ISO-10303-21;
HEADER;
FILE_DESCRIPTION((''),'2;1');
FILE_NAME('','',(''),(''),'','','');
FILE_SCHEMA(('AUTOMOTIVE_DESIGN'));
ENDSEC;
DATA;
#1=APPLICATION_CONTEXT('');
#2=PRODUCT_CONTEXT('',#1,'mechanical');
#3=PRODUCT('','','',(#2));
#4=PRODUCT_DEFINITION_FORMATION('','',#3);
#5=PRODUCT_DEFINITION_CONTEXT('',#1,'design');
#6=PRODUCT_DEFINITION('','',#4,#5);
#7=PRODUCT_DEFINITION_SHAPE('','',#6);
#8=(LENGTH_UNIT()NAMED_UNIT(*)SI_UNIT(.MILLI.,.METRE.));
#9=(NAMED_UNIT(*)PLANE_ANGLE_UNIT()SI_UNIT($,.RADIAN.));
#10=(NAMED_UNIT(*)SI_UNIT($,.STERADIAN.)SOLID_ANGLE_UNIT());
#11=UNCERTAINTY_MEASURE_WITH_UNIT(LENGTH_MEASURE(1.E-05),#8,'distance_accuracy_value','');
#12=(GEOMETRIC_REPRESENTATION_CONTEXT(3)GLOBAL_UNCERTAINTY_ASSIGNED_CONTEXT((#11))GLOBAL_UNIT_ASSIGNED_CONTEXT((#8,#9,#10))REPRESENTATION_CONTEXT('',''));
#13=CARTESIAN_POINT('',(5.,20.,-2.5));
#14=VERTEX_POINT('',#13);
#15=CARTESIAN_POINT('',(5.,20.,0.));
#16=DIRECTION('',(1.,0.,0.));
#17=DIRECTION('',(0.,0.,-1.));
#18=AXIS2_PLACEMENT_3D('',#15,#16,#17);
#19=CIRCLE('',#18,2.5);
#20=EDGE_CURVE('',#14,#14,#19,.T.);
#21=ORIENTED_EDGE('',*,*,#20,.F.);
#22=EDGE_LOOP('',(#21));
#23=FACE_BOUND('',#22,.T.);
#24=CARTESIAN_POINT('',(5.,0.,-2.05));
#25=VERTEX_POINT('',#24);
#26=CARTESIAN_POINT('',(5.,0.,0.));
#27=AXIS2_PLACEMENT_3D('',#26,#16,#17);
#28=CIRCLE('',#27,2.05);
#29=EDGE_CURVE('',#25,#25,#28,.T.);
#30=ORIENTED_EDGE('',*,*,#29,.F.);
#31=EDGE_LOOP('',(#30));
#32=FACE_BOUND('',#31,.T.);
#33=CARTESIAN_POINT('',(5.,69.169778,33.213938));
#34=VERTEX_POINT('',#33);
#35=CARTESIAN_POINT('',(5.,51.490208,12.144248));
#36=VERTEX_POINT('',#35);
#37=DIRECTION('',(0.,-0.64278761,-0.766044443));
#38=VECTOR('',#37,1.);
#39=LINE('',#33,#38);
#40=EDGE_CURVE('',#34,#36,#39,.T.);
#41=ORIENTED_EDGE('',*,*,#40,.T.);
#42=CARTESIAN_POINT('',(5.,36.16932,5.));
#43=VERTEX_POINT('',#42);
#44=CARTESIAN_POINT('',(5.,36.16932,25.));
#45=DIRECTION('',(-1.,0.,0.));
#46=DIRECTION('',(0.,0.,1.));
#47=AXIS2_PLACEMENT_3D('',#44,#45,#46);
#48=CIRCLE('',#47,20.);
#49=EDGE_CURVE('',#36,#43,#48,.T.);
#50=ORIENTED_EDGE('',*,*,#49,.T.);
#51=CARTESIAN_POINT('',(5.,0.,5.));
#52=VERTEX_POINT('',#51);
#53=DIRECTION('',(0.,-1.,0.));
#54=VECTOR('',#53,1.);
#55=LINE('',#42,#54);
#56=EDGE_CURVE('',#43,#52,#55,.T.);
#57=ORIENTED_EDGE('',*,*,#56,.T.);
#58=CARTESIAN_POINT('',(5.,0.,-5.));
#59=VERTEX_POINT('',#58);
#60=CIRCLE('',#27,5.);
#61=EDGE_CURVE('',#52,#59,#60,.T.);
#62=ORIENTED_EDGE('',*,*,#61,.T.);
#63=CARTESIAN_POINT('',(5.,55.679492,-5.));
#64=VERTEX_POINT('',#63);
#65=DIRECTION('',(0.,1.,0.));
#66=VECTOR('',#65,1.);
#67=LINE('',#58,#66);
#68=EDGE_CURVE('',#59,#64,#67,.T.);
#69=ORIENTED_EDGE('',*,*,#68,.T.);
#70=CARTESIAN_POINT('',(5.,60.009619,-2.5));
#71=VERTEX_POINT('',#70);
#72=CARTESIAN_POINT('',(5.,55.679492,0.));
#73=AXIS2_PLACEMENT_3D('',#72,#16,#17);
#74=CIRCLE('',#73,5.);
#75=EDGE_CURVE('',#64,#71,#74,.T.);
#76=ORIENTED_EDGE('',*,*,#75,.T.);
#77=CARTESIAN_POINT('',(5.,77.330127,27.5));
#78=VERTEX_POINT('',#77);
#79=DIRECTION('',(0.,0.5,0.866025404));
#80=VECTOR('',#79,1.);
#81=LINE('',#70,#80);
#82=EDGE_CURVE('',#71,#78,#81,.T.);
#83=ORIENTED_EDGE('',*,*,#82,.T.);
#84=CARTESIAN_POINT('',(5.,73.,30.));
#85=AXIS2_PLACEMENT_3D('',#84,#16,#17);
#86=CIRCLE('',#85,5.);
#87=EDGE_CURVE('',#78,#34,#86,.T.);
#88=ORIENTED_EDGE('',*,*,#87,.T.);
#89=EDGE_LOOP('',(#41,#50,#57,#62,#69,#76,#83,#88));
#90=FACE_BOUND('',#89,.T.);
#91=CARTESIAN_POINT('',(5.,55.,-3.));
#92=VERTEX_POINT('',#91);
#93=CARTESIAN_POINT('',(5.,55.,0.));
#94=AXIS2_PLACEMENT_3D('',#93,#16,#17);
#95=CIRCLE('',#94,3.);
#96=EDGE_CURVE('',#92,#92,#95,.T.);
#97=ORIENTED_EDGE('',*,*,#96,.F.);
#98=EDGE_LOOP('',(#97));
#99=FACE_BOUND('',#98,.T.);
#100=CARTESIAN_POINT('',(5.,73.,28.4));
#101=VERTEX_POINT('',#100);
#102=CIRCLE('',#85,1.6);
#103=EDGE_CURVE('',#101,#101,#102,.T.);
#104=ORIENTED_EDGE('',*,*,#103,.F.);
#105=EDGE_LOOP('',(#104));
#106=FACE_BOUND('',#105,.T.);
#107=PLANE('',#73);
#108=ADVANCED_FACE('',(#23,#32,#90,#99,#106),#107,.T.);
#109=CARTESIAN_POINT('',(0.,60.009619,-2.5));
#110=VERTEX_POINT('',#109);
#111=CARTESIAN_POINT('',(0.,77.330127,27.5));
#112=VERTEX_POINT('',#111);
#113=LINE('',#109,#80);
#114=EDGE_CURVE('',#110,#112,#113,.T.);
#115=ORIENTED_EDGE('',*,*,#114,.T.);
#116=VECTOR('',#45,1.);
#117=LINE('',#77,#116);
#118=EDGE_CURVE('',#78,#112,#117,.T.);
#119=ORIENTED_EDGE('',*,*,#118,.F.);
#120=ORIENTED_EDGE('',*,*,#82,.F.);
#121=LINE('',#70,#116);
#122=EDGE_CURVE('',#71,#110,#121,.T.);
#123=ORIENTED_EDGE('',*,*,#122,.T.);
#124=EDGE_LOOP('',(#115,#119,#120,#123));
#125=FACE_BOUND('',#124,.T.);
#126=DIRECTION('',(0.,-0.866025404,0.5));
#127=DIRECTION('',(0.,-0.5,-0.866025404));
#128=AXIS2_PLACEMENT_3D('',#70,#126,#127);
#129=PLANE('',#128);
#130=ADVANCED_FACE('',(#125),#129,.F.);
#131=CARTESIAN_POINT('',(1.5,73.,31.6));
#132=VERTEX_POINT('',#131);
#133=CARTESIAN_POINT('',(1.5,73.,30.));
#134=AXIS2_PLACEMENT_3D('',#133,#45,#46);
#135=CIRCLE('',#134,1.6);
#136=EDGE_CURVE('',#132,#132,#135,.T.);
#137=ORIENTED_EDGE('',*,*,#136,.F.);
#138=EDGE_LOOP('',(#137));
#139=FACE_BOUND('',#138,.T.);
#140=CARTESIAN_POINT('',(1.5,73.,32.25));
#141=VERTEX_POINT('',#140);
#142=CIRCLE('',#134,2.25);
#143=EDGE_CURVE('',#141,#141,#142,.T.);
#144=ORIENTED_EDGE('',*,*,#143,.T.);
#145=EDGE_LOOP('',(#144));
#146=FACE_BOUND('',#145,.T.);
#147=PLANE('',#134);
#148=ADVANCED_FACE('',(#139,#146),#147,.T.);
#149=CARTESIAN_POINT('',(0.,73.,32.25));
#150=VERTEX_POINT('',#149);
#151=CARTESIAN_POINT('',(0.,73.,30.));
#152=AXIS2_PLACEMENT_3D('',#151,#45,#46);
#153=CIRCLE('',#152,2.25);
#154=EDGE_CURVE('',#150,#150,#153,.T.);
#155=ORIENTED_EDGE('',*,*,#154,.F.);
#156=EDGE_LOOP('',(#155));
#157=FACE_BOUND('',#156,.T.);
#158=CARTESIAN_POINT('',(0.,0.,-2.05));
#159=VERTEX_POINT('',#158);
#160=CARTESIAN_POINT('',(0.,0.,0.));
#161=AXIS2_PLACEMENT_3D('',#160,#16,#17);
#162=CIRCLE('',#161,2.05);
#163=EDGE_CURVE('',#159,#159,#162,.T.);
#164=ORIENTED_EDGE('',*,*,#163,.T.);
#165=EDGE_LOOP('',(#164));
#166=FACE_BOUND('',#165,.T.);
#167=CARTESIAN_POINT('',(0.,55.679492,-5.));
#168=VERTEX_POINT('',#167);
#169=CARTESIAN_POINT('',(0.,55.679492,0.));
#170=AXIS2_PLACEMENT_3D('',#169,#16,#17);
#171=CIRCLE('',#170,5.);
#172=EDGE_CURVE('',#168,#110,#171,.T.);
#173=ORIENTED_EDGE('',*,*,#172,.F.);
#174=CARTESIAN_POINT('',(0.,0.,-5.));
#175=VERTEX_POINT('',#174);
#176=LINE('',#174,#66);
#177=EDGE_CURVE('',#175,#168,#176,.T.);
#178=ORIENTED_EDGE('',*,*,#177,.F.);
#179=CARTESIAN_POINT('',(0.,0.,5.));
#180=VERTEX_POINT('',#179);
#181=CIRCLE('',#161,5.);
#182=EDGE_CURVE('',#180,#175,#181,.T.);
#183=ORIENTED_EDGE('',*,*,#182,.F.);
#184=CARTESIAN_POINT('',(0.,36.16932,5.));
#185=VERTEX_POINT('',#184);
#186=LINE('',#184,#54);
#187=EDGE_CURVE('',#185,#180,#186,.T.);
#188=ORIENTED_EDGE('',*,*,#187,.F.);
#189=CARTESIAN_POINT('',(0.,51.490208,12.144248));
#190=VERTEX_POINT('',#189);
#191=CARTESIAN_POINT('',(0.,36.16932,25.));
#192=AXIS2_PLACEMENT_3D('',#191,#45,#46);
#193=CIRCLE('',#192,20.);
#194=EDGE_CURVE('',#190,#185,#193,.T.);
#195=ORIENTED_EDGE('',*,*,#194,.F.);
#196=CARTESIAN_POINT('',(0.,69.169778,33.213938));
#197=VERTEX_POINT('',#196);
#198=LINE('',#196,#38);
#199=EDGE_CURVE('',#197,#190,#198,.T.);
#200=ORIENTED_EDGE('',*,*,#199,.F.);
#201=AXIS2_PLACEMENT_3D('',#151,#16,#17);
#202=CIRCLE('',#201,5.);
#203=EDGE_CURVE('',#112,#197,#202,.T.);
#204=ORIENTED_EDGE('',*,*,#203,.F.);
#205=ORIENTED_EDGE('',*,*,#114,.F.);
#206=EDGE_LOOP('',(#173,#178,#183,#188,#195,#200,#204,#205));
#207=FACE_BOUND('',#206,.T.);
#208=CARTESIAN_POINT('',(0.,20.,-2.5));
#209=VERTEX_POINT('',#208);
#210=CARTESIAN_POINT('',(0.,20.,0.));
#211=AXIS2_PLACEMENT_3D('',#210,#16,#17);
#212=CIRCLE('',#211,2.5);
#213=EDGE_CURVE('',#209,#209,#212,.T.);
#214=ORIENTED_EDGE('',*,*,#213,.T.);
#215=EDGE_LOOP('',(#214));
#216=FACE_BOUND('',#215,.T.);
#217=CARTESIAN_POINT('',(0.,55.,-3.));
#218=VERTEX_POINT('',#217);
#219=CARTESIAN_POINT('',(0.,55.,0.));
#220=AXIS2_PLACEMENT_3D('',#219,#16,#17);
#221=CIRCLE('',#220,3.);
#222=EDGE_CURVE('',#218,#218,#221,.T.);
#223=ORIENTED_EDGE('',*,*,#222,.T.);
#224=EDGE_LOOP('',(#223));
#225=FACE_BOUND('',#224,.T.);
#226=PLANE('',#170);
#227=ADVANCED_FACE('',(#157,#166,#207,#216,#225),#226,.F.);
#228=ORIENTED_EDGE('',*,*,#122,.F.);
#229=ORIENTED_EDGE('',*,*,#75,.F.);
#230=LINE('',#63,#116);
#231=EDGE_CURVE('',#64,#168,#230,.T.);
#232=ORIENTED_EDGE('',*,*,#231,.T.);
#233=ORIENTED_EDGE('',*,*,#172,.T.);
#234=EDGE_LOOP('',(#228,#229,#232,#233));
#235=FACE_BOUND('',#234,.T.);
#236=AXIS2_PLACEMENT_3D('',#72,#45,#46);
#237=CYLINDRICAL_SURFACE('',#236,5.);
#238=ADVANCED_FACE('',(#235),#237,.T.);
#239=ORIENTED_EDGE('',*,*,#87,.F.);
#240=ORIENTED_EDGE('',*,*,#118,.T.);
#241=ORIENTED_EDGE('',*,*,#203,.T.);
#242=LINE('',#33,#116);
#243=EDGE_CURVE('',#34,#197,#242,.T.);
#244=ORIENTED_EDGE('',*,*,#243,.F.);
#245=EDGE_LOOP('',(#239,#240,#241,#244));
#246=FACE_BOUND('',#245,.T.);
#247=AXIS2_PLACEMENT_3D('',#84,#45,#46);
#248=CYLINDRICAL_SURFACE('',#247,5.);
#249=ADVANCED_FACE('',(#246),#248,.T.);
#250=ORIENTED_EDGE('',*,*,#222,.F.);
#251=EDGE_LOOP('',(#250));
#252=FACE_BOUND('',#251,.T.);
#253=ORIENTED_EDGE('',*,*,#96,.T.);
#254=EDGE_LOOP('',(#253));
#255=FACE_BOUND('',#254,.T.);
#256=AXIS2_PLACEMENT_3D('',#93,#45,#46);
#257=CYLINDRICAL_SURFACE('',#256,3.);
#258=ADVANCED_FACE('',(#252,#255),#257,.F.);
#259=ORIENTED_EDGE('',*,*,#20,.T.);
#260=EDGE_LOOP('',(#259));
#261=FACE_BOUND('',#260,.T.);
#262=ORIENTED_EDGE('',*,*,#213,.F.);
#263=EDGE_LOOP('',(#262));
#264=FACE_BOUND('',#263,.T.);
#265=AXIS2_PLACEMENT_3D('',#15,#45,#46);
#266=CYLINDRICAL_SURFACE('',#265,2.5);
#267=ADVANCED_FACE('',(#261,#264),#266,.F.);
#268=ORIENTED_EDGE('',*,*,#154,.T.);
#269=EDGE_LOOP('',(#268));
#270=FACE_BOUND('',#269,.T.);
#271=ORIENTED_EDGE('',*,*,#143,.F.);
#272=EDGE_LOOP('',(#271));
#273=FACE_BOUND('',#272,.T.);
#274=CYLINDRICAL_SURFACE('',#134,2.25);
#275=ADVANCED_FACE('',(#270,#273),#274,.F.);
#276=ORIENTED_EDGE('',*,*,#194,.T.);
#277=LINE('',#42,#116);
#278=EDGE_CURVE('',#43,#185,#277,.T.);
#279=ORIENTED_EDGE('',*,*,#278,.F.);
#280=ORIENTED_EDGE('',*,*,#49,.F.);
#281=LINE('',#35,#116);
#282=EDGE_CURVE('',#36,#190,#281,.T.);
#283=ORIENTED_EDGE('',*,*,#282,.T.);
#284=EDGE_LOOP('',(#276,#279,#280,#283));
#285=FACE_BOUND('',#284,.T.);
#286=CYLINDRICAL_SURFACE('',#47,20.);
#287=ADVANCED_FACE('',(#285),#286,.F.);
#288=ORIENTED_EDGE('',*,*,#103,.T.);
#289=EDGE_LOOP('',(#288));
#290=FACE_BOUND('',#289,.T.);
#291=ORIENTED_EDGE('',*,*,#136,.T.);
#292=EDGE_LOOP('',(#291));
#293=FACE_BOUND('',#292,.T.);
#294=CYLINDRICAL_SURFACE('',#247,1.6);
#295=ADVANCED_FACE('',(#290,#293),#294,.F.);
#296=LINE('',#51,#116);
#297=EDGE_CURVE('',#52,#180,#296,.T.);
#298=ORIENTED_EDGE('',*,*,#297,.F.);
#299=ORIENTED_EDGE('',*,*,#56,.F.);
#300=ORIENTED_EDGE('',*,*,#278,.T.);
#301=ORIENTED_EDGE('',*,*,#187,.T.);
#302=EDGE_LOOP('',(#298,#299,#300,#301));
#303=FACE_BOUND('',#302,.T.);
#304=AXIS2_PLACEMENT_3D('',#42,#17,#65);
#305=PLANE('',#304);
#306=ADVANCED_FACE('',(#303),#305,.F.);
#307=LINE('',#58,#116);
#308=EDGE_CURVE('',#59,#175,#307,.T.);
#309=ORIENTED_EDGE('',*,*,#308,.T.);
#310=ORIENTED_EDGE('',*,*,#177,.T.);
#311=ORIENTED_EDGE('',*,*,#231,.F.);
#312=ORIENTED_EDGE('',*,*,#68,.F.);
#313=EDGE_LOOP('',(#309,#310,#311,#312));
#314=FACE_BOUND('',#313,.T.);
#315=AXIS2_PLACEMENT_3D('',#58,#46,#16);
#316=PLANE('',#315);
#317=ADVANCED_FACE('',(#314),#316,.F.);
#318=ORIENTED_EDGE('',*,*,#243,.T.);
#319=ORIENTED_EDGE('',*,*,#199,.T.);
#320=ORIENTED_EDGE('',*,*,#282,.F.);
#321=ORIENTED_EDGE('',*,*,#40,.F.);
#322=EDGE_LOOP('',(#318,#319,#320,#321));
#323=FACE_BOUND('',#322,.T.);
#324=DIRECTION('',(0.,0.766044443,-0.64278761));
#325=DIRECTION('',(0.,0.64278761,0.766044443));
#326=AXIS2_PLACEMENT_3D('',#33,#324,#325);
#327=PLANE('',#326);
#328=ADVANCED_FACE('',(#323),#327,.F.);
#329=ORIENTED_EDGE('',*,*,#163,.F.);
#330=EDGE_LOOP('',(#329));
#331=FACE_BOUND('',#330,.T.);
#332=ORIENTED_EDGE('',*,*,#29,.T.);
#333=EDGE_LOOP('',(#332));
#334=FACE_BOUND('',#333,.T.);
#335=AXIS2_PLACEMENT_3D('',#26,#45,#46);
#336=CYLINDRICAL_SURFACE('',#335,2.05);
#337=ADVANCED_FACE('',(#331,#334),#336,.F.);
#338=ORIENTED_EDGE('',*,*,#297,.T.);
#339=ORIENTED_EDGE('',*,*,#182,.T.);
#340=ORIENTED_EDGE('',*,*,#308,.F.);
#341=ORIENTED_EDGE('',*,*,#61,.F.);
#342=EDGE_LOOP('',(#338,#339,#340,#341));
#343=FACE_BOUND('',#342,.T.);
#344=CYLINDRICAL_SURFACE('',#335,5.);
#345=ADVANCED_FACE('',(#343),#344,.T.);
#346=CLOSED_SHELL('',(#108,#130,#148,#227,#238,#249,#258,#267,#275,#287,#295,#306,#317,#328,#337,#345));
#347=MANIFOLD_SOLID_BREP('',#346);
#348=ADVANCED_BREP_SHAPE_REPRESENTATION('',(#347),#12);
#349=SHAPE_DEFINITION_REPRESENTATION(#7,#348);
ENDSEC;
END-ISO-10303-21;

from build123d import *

# Parameters (mm, degrees)
SKETCH_1_R          = 2.05
SKETCH_1_R_2        = 2.5
SKETCH_1_R_3        = 3
SKETCH_1_R_4        = 1.6
EXTRUDE_1_DEPTH     = 5
SKETCH_2_R          = 2.25
CUT_EXTRUDE_1_DEPTH = 1.5


with BuildPart() as part:
    # 草图1 → 凸台-拉伸1 (new body)
    with BuildSketch(Plane(origin=(0, 0, 0), x_dir=(0, 0, -1), z_dir=(1, 0, 0))):
        with BuildLine():
            Line((5, 0), (5, 55.679491924))
            ThreePointArc((5, 55.679491924), (4.330127019, 58.179491924), (2.5, 60.009618943))
            Line((2.5, 60.009618943), (-27.5, 77.330127019))
            ThreePointArc((-27.5, 77.330127019), (-34.095760221, 75.867882182), (-33.213938048, 69.169777784))
            Line((-33.213938048, 69.169777784), (-12.144247806, 51.490208473))
            ThreePointArc((-12.144247806, 51.490208473), (-6.873844259, 44.621684846), (-5, 36.169319611))
            Line((-5, 36.169319611), (-5, 0))
            ThreePointArc((-5, 0), (0, -5), (5, 0))
        make_face()
        Circle(SKETCH_1_R, mode=Mode.SUBTRACT)
        with Locations((0, 20)):
            Circle(SKETCH_1_R_2, mode=Mode.SUBTRACT)
        with Locations((0, 55)):
            Circle(SKETCH_1_R_3, mode=Mode.SUBTRACT)
        with Locations((-30, 73)):
            Circle(SKETCH_1_R_4, mode=Mode.SUBTRACT)
    extrude(amount=EXTRUDE_1_DEPTH)

    # 草图2 → 切除-拉伸1 (cut)
    with BuildSketch(Plane.ZY):
        with Locations((30, 73)):
            Circle(SKETCH_2_R)
    extrude(amount=-CUT_EXTRUDE_1_DEPTH, mode=Mode.SUBTRACT)


solid = part.part
